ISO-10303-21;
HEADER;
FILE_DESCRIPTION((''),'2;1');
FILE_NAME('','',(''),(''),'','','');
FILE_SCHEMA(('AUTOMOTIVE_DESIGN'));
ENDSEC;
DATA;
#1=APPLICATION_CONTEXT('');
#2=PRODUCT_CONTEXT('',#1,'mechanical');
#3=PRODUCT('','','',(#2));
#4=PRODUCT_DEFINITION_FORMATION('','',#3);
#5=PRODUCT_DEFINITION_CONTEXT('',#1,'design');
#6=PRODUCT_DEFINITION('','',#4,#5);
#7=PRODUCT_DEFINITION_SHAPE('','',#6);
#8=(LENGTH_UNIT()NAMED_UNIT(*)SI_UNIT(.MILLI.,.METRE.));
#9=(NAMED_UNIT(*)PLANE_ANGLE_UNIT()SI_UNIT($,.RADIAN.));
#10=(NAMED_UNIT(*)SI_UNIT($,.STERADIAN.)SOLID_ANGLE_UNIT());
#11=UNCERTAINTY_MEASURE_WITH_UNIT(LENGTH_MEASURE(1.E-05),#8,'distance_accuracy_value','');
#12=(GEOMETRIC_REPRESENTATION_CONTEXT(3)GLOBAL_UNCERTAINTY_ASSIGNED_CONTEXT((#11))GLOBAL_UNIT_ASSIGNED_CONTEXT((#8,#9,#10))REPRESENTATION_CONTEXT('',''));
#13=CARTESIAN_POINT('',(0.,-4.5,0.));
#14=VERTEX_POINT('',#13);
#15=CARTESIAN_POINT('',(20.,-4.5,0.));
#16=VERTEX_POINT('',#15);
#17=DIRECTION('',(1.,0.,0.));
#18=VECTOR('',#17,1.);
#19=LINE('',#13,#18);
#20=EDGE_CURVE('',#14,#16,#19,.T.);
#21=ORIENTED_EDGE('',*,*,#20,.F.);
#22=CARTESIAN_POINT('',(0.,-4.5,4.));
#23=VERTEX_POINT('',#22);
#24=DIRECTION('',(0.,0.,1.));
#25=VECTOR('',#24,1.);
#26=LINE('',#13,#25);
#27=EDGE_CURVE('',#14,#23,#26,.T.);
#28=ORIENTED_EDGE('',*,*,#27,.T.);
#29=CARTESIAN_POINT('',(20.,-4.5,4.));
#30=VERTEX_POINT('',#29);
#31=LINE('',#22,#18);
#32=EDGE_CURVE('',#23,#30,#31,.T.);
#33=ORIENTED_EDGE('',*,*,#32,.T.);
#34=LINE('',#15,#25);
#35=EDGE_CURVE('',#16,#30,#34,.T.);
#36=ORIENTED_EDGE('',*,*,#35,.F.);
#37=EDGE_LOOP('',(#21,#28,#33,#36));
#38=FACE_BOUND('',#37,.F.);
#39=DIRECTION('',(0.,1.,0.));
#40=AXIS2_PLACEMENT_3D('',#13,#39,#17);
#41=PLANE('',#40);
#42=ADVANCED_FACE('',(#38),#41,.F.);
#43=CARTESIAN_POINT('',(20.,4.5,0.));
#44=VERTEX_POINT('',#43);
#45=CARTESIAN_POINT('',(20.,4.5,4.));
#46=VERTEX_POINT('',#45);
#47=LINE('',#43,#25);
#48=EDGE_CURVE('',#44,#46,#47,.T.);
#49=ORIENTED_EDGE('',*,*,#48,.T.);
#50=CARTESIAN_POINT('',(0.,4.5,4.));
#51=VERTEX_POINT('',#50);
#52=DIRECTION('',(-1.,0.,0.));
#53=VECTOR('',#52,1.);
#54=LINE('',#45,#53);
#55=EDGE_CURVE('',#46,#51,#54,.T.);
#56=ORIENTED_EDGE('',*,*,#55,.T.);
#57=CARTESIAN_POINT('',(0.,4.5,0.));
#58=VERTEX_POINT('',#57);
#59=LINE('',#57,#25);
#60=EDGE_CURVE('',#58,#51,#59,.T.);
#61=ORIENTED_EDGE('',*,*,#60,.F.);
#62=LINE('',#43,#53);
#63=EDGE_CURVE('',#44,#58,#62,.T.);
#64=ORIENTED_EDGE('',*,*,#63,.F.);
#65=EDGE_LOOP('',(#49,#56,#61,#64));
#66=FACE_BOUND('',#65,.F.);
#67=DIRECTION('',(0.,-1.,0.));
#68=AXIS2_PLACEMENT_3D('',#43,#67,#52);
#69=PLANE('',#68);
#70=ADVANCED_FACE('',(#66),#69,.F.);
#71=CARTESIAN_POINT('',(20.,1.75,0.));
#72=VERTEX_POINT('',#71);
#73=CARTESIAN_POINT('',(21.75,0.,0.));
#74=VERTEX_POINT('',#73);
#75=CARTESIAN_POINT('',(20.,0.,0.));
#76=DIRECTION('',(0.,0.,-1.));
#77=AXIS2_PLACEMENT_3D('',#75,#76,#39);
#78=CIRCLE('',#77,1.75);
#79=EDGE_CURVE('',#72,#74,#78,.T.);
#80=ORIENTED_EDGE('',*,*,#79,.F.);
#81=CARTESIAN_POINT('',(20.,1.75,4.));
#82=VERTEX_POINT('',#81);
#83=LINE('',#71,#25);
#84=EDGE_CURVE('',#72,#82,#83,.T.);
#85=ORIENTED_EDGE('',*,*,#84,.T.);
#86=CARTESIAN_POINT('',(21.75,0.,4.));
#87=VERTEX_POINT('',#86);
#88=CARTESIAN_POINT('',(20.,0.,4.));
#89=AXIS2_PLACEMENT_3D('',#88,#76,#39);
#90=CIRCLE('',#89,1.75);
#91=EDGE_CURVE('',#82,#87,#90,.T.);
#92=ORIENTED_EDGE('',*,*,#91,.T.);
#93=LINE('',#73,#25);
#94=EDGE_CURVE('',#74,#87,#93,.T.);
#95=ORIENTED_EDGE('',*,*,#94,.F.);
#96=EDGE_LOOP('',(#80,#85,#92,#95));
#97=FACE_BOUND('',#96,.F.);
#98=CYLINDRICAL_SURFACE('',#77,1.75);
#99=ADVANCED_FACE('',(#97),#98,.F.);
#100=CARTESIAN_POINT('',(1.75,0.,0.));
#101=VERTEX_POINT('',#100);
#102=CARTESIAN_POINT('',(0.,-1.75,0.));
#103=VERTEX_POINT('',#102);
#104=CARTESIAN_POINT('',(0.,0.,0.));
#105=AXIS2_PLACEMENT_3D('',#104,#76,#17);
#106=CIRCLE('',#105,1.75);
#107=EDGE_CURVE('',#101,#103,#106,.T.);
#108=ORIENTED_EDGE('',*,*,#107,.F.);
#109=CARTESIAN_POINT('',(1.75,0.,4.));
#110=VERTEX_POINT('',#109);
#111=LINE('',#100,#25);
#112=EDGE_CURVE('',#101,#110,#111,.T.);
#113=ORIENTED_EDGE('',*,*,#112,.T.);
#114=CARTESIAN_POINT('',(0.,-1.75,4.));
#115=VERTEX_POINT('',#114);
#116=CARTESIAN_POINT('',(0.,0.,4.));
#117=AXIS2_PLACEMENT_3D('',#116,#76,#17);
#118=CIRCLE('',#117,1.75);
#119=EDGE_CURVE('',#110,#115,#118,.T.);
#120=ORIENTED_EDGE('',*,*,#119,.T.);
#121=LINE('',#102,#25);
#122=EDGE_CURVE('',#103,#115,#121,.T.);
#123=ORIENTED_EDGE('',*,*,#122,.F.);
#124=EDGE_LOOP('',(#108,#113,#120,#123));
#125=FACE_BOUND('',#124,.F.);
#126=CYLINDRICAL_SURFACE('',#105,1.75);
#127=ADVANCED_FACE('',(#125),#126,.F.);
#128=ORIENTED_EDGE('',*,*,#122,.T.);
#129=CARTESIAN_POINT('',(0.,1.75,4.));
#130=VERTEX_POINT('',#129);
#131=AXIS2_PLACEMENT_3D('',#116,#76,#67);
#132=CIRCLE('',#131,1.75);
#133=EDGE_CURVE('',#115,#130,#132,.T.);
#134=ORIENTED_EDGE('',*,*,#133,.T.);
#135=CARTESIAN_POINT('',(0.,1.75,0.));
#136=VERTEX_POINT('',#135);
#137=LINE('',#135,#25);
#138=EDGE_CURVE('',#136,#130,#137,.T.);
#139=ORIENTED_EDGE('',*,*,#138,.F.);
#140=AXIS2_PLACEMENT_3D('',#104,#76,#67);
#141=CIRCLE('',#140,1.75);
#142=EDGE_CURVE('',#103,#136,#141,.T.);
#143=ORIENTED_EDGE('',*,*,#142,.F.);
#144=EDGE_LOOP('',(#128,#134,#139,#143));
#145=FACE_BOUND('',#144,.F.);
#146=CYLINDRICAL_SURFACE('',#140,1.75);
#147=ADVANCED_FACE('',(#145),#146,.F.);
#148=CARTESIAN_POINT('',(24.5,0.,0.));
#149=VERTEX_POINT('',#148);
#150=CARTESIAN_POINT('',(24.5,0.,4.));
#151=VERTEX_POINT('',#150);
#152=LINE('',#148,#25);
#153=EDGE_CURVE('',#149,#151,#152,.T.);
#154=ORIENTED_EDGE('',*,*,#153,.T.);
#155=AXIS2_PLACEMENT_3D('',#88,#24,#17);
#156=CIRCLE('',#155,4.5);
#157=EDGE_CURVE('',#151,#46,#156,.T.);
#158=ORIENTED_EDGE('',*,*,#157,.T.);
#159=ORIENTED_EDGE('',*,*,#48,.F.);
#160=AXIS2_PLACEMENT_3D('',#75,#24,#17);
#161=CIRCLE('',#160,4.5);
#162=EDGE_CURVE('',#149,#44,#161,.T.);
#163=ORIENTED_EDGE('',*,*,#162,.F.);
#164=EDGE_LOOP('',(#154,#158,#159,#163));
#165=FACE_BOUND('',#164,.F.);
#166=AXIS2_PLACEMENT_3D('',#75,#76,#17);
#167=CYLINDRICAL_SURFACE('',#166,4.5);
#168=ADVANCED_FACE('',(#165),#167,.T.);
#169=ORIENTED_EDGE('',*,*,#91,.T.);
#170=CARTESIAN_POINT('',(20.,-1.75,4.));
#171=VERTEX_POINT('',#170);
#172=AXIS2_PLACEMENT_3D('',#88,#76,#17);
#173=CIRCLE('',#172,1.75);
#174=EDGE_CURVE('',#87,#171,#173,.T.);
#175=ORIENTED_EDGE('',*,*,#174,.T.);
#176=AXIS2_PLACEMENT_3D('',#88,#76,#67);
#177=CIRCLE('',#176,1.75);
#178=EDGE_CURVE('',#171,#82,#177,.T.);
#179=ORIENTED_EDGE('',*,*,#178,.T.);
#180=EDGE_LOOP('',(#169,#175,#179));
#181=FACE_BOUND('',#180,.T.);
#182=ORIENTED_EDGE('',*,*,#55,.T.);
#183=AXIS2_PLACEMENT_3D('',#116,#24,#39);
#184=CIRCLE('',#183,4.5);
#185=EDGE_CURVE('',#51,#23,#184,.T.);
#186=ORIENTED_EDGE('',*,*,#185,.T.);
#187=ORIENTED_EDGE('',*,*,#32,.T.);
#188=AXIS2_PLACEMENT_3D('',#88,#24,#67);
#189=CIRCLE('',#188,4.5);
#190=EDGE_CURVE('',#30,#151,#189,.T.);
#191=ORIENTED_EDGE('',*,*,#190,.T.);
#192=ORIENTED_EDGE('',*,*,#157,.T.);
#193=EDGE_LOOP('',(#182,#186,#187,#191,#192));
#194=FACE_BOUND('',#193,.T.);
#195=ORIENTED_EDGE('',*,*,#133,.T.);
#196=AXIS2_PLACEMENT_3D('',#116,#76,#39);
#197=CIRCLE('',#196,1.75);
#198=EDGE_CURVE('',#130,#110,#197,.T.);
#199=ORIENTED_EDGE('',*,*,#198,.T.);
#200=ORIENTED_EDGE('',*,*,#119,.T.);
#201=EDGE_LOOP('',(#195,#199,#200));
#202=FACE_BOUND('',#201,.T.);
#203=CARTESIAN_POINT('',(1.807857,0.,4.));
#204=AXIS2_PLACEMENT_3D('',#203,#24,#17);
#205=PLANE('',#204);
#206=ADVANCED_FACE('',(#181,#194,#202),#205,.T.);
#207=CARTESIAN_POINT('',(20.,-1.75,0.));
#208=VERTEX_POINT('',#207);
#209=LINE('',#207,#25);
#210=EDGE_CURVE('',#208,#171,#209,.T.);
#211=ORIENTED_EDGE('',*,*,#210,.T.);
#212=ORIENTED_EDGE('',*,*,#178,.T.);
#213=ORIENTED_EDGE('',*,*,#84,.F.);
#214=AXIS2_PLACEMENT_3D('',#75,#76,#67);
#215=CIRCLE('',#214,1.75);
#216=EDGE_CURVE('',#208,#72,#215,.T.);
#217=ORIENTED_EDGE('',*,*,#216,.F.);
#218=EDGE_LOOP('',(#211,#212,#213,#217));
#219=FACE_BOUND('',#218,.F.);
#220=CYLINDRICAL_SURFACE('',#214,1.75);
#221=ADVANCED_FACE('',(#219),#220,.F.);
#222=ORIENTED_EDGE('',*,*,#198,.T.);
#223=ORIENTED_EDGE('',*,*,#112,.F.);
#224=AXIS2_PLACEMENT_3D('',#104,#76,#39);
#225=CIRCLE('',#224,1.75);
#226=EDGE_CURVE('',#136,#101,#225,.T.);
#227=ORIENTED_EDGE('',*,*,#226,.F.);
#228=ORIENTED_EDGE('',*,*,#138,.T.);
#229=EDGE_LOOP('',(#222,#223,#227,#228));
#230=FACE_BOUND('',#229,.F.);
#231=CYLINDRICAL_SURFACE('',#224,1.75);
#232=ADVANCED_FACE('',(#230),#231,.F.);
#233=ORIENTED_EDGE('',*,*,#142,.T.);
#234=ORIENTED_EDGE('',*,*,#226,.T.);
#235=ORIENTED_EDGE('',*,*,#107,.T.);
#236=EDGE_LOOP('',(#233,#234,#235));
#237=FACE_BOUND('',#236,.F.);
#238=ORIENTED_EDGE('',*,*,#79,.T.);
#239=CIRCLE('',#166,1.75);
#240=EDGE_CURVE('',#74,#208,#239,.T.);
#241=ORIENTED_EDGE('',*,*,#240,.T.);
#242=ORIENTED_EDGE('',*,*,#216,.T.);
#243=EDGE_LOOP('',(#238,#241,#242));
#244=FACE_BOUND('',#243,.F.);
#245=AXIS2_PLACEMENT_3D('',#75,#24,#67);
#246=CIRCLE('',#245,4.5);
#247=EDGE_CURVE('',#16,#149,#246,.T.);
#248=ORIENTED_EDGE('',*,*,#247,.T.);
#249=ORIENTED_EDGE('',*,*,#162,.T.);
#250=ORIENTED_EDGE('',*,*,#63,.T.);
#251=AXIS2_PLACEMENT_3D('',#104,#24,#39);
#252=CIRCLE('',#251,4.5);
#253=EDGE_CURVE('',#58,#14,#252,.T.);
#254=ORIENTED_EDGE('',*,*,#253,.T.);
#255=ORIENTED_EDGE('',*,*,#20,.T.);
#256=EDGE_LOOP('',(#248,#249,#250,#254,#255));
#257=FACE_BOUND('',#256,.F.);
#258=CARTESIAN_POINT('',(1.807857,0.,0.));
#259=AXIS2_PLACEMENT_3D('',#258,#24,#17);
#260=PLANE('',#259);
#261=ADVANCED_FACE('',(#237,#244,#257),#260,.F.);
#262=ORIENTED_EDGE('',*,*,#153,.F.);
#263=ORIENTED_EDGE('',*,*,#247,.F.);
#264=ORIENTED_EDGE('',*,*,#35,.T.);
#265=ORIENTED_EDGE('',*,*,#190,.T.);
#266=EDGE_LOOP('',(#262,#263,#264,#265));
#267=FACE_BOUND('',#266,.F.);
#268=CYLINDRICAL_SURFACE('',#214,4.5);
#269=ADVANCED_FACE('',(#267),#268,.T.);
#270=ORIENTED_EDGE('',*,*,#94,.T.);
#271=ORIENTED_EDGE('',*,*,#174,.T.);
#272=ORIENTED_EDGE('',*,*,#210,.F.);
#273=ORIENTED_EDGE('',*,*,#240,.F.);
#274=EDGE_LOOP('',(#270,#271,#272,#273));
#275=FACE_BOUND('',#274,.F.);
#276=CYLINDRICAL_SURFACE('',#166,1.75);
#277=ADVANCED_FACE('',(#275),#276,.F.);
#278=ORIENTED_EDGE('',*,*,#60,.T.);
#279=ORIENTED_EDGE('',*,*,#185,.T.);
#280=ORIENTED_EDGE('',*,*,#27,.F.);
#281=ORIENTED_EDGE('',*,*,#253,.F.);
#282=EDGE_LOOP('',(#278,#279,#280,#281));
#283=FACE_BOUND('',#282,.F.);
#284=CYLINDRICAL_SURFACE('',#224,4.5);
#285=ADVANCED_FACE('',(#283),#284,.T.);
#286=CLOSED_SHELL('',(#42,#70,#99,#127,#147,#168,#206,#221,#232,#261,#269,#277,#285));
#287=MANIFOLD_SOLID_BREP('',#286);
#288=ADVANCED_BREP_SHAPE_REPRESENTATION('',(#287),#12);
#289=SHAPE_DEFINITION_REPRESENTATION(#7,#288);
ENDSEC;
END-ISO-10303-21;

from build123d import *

# Parameters (mm, degrees)
F1_DEPTH = 4


with BuildPart() as f1:
    # F0 (on Top) → F1 (new body)
    with BuildSketch(Plane.XY):
        with BuildLine():
            ThreePointArc((0, -4.5), (3.1819805153, -3.1819805153), (4.5, 0))
            ThreePointArc((4.5, 0), (3.1819805153, 3.1819805153), (0, 4.5))
            Line((0, 4.5), (0, 1.75))
            ThreePointArc((0, 1.75), (1.2374368671, 1.2374368671), (1.75, 0))
            ThreePointArc((1.75, 0), (1.2374368671, -1.2374368671), (0, -1.75))
            Line((0, -1.75), (0, -4.5))
        make_face()
        with BuildLine():
            ThreePointArc((0, 4.5), (3.1819805153, 3.1819805153), (4.5, 0))
            ThreePointArc((4.5, 0), (3.1819805153, -3.1819805153), (0, -4.5))
            Line((0, -4.5), (20, -4.5))
            ThreePointArc((20, -4.5), (15.5, 0), (20, 4.5))
            Line((20, 4.5), (0, 4.5))
        make_face()
        with BuildLine():
            Line((0, 1.75), (0, 4.5))
            ThreePointArc((0, 4.5), (-4.5, 0), (0, -4.5))
            Line((0, -4.5), (0, -1.75))
            ThreePointArc((0, -1.75), (-1.75, 0), (0, 1.75))
        make_face()
        with BuildLine():
            Line((20, 1.75), (20, 4.5))
            ThreePointArc((20, 4.5), (15.5, 0), (20, -4.5))
            Line((20, -4.5), (20, -1.75))
            ThreePointArc((20, -1.75), (18.25, 0), (20, 1.75))
        make_face()
        with BuildLine():
            ThreePointArc((24.5, 0), (23.1819805153, 3.1819805153), (20, 4.5))
            Line((20, 4.5), (20, 1.75))
            ThreePointArc((20, 1.75), (21.2374368671, 1.2374368671), (21.75, 0))
            ThreePointArc((21.75, 0), (21.2374368671, -1.2374368671), (20, -1.75))
            Line((20, -1.75), (20, -4.5))
            ThreePointArc((20, -4.5), (23.1819805153, -3.1819805153), (24.5, 0))
        make_face()
    extrude(amount=F1_DEPTH)


solid = f1.part
